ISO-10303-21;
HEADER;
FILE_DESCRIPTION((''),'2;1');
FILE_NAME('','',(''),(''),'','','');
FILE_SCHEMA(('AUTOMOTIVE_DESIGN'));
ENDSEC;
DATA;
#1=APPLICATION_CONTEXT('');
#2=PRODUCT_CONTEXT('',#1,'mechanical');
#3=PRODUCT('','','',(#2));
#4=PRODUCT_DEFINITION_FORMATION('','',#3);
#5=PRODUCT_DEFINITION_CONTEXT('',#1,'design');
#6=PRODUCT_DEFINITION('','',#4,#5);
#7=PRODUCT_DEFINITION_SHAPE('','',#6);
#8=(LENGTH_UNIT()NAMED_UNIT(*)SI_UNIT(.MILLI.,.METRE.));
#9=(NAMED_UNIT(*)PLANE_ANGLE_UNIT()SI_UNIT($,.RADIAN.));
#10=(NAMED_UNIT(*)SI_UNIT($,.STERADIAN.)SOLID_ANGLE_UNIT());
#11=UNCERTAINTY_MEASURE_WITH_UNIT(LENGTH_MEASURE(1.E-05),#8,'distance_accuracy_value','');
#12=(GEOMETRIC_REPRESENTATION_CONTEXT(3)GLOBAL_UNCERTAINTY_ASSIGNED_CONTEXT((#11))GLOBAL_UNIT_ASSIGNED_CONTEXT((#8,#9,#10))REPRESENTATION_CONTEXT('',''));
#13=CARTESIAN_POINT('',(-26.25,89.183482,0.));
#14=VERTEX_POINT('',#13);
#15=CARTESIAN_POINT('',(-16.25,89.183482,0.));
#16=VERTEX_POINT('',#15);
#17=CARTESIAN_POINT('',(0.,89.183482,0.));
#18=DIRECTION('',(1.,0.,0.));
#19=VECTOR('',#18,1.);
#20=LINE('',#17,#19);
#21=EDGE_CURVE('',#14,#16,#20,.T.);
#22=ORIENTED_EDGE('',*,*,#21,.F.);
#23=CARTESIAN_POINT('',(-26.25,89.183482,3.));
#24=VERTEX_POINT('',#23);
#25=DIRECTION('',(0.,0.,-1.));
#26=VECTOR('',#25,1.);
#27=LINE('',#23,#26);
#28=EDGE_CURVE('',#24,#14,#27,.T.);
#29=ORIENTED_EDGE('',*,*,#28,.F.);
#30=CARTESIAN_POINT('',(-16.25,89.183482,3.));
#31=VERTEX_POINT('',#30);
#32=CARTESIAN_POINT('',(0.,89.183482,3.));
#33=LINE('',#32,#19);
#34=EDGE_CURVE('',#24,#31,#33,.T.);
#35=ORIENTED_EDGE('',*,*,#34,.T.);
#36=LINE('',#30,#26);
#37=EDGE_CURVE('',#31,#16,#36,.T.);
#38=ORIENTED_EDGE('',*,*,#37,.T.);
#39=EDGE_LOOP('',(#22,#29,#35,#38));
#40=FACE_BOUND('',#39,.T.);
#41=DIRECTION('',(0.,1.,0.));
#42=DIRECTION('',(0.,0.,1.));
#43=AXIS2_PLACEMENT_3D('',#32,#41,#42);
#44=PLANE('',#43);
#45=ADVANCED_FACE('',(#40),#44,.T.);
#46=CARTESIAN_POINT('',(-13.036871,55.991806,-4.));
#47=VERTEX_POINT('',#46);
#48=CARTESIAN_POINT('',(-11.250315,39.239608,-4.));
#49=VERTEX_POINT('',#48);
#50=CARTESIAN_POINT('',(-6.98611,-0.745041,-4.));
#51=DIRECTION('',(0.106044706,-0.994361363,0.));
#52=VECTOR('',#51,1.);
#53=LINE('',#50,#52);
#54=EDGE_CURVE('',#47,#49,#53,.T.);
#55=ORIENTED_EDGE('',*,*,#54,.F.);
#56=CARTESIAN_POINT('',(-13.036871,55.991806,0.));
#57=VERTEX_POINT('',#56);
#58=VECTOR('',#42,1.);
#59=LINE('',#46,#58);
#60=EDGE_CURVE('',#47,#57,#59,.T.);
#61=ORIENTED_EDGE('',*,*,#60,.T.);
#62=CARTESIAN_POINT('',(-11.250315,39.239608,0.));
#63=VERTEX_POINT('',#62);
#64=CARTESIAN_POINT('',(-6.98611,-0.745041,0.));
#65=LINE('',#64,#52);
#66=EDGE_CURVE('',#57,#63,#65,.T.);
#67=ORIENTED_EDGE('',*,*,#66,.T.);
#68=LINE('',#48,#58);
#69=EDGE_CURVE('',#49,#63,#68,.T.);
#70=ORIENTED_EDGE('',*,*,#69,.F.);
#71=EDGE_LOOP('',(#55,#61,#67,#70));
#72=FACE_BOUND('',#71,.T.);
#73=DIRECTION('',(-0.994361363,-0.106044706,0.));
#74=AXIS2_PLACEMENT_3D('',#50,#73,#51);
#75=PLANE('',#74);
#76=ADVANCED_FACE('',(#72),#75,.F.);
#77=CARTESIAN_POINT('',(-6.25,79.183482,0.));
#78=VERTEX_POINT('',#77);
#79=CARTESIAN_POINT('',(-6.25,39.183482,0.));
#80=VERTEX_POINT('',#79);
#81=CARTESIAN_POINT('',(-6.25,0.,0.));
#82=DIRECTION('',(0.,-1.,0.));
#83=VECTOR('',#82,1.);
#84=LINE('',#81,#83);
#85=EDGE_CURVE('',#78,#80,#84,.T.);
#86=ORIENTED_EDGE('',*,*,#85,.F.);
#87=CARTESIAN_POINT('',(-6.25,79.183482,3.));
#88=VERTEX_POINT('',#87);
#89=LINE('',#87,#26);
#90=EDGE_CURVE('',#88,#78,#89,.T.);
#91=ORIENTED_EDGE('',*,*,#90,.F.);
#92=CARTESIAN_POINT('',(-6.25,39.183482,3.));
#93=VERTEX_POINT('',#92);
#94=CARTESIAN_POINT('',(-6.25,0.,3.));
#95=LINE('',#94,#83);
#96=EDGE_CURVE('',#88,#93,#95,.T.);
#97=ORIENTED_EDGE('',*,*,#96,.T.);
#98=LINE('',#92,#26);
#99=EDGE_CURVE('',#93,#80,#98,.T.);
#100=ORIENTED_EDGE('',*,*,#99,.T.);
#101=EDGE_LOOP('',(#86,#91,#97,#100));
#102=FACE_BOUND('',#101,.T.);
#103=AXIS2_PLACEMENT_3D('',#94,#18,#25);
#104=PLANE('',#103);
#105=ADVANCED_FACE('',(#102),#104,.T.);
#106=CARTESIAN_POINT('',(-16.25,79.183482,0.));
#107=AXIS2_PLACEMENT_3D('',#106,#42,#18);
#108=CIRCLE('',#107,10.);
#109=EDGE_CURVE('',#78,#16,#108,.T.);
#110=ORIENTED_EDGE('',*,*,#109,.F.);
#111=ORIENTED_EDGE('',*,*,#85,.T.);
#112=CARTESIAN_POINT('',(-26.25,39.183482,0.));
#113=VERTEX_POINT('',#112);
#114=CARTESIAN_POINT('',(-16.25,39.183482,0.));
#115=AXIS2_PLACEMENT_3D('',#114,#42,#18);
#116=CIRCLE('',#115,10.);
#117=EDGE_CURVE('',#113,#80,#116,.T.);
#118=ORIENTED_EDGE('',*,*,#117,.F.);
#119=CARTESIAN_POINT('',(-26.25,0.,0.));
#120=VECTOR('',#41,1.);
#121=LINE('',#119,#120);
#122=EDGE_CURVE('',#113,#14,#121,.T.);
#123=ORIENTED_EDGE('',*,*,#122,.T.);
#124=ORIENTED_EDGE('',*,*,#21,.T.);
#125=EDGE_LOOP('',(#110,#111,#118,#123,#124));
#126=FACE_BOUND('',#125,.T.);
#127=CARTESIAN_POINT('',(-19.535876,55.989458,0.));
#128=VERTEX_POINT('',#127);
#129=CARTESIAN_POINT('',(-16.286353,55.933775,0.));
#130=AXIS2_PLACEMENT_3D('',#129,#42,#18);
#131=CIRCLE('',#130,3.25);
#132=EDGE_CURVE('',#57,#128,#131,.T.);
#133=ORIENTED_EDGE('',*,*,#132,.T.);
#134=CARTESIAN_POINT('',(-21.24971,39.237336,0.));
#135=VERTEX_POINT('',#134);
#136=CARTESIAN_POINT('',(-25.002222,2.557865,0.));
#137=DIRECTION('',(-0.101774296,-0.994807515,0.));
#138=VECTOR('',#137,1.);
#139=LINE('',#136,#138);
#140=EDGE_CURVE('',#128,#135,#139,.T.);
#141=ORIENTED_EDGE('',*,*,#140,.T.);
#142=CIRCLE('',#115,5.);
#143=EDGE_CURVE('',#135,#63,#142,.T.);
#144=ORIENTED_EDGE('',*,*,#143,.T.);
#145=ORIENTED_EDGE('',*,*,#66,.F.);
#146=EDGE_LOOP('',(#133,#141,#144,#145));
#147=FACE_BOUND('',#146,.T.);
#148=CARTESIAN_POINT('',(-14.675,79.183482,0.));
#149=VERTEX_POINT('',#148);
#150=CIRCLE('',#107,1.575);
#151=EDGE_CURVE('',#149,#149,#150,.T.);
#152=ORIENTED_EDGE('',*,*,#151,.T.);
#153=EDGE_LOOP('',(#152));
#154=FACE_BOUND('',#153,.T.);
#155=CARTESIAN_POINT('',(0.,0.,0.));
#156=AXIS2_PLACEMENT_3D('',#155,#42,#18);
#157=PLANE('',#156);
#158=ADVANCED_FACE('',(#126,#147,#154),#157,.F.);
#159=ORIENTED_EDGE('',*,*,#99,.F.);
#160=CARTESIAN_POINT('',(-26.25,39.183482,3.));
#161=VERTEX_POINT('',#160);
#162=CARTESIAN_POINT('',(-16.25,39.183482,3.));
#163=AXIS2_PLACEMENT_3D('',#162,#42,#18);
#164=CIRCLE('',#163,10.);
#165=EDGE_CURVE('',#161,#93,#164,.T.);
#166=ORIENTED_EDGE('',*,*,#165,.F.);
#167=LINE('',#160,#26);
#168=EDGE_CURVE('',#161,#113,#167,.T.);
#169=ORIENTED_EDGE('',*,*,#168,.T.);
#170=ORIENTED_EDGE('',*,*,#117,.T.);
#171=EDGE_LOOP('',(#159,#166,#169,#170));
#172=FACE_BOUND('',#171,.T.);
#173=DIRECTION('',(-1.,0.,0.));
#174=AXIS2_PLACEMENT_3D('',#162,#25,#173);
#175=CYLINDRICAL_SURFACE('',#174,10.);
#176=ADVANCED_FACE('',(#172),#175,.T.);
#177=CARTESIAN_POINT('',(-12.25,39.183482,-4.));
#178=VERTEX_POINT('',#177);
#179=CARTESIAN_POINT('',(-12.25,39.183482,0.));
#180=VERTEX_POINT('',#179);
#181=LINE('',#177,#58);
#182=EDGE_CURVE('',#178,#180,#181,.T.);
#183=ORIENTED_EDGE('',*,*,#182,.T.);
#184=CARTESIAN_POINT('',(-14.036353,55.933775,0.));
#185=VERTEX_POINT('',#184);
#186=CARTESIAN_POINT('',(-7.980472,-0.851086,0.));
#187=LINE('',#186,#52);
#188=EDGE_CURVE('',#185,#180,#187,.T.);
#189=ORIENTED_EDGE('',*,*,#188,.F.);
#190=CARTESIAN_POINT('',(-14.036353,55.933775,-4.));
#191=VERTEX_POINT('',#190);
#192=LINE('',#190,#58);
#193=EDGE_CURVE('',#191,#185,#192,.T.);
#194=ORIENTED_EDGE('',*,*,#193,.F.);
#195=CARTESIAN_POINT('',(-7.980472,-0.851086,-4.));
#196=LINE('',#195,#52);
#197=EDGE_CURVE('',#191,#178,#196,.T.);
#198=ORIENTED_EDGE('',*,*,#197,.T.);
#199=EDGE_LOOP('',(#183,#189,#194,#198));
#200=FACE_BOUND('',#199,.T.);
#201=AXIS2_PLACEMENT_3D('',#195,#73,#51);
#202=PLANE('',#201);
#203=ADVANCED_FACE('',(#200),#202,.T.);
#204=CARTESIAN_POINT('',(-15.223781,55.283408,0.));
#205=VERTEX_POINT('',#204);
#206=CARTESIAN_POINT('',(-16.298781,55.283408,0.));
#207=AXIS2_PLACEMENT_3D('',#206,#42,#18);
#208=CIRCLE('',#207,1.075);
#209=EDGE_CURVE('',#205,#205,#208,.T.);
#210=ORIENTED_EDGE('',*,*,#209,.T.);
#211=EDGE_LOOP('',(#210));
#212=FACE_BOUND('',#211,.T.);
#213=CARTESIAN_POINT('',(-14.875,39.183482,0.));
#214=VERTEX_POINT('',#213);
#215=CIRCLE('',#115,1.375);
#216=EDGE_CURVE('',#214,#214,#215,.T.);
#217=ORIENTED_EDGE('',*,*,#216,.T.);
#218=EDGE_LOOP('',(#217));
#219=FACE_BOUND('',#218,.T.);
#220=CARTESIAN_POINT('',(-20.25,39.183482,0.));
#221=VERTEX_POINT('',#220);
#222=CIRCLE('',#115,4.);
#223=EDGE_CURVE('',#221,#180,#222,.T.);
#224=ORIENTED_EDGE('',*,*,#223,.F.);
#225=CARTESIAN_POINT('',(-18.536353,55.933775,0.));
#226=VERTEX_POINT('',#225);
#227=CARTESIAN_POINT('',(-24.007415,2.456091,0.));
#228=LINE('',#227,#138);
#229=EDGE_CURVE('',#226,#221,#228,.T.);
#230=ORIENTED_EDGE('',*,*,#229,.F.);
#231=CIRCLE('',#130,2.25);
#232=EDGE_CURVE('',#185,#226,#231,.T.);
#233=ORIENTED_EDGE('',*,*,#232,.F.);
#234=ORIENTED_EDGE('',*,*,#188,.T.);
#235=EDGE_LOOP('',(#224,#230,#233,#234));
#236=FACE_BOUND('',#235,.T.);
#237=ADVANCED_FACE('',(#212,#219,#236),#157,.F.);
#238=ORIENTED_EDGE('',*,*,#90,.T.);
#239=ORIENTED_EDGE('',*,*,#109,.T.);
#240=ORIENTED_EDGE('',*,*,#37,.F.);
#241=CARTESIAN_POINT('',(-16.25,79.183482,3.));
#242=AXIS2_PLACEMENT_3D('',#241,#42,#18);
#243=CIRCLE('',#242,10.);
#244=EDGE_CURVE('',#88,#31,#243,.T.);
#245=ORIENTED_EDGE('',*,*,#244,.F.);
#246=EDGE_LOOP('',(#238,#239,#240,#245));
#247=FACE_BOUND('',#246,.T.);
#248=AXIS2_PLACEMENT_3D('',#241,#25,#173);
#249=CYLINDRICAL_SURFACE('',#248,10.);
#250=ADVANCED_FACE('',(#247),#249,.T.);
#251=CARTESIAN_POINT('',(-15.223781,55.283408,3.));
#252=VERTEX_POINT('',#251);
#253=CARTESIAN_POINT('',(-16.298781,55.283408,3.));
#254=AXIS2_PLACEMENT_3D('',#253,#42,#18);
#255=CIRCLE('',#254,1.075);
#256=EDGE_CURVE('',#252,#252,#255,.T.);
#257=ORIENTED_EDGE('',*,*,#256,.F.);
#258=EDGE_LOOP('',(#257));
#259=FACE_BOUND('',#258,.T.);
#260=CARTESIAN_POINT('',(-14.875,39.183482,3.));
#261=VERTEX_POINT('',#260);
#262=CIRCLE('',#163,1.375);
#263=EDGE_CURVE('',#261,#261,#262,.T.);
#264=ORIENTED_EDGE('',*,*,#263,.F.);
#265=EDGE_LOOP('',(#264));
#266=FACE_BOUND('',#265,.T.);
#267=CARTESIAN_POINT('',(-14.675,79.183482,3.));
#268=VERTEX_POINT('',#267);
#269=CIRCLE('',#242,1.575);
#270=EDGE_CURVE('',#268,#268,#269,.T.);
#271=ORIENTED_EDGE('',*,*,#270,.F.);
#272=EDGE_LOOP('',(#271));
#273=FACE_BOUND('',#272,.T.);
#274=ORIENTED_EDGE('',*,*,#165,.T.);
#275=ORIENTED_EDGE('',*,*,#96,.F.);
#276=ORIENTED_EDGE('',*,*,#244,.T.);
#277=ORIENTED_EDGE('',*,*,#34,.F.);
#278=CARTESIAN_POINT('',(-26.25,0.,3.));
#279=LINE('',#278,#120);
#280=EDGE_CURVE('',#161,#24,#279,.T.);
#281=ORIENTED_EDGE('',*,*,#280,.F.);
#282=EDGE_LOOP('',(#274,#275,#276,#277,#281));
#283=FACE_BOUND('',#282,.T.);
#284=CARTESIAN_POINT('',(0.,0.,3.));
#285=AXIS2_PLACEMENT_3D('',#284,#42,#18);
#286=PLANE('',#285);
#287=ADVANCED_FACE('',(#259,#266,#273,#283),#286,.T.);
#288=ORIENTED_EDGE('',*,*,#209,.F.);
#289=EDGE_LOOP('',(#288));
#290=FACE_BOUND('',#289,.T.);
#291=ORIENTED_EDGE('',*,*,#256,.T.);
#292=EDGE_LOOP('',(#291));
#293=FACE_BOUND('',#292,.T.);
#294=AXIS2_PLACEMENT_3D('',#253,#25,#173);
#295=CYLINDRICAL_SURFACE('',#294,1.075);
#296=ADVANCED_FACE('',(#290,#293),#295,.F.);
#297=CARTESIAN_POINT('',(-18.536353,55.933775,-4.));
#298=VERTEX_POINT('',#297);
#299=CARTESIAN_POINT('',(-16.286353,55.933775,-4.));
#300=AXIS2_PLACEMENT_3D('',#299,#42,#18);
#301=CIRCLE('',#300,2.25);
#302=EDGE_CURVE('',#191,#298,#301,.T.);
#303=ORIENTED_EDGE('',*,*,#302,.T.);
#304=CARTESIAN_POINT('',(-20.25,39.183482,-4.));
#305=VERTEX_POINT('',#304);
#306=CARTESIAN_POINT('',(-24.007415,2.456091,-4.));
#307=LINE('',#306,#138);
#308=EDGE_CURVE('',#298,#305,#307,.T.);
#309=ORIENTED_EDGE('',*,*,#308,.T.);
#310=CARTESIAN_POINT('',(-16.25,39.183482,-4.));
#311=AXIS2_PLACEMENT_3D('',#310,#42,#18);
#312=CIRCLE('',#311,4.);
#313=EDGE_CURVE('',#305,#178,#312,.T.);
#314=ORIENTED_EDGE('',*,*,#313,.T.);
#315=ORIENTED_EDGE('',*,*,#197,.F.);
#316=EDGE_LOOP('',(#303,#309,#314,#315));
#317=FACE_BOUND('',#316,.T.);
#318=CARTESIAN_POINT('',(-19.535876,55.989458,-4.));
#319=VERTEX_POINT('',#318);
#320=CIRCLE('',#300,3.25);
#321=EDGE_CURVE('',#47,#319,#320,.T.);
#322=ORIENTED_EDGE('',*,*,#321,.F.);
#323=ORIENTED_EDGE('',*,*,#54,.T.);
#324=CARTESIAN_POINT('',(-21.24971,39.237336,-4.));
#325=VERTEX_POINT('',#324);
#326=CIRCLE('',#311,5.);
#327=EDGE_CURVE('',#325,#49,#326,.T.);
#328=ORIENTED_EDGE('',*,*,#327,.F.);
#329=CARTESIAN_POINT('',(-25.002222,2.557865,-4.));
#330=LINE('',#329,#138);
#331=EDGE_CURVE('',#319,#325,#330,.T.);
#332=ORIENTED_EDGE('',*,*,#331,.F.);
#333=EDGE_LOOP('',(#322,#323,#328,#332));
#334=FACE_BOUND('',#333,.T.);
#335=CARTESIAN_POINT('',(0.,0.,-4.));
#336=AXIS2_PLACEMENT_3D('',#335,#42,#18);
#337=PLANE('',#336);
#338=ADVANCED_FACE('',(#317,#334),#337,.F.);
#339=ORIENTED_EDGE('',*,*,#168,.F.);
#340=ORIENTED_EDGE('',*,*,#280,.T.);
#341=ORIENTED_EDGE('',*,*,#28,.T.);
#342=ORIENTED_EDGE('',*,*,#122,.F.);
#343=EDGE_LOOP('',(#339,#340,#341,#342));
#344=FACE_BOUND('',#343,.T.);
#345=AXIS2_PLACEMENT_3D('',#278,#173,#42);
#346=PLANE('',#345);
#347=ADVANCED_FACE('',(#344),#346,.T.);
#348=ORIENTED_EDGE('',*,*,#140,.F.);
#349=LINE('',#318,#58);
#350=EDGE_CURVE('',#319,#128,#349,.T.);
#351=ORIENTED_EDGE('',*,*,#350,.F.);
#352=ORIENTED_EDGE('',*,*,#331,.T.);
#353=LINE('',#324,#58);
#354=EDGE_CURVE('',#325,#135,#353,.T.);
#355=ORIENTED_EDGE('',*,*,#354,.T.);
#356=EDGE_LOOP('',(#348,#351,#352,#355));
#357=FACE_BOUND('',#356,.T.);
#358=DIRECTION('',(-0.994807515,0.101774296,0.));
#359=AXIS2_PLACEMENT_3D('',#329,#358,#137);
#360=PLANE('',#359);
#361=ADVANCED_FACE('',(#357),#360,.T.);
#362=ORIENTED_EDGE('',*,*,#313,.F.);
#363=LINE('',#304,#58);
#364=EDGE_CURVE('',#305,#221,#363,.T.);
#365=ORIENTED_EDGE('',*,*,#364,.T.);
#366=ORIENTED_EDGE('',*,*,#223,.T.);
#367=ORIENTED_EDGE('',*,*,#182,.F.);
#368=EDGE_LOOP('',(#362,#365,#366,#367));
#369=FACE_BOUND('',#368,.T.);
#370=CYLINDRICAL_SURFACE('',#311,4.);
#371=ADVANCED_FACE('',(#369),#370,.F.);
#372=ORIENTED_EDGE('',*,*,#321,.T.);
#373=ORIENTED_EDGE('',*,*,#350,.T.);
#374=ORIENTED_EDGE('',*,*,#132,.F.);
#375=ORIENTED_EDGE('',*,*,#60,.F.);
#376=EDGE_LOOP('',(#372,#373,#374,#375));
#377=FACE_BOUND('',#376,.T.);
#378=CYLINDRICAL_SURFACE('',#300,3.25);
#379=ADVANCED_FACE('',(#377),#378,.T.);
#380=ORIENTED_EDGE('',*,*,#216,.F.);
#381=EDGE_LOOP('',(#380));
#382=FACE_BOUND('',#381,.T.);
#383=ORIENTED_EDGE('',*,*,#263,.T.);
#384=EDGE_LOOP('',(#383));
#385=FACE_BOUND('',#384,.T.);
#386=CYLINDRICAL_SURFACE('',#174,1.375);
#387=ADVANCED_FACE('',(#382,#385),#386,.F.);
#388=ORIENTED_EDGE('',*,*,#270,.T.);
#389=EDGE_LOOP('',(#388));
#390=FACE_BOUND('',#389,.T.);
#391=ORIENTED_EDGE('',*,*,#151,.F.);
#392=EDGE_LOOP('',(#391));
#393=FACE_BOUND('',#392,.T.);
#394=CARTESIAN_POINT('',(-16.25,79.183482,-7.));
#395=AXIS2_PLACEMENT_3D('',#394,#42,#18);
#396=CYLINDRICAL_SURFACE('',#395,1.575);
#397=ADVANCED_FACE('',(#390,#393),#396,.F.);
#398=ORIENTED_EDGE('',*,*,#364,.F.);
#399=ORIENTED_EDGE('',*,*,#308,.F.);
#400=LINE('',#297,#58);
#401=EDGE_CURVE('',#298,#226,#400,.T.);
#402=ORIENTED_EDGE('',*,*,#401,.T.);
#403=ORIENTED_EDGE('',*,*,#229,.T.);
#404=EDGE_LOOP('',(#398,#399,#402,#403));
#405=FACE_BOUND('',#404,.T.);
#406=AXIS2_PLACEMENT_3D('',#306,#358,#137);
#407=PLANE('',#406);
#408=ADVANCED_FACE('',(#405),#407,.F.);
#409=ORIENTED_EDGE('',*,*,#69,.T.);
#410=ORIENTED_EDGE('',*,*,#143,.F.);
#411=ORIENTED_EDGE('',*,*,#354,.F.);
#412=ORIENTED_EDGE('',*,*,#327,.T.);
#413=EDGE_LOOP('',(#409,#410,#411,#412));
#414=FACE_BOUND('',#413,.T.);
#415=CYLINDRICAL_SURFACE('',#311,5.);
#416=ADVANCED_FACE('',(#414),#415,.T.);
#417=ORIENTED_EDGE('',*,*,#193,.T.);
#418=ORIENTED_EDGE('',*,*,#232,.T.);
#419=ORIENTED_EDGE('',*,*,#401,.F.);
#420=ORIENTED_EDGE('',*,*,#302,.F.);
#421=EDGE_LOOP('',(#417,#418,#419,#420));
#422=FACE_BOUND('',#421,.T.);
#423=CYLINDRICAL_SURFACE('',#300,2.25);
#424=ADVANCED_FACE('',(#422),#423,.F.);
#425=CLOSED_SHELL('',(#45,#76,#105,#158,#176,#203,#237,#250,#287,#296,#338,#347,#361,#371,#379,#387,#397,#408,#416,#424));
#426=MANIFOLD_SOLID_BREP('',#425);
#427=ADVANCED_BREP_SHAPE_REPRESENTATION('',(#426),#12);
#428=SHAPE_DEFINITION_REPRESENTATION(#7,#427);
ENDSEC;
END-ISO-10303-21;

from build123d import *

# Parameters (mm, degrees)
SKETCH1_R           = 1.075
SKETCH1_R_2         = 1.375
BOSS_EXTRUDE1_DEPTH = 3
BOSS_EXTRUDE2_DEPTH = 4
SKETCH3_R           = 1.575
CUT_EXTRUDE1_DEPTH  = 10


with BuildPart() as part:
    # Sketch1 → Boss-Extrude1 (new body)
    with BuildSketch(Plane.XY):
        with BuildLine():
            Line((-26.25, 89.183481687), (-26.25, 39.183481687))
            ThreePointArc((-26.25, 39.183481687), (-16.25, 29.183481687), (-6.25, 39.183481687))
            Line((-6.25, 39.183481687), (-6.25, 79.183481687))
            ThreePointArc((-6.25, 79.183481687), (-9.178932188, 86.254549499), (-16.25, 89.183481687))
            Line((-16.25, 89.183481687), (-26.25, 89.183481687))
        make_face()
        with Locations((-16.298780591, 55.283407788)):
            Circle(SKETCH1_R, mode=Mode.SUBTRACT)
        with Locations((-16.25, 39.183481687)):
            Circle(SKETCH1_R_2, mode=Mode.SUBTRACT)
    extrude(amount=BOSS_EXTRUDE1_DEPTH)

    # Sketch1<4> → Boss-Extrude2 (add)
    with BuildSketch(Plane.XY):
        with BuildLine():
            ThreePointArc((-13.036870696, 55.991806015), (-16.287526809, 59.183775163), (-19.535875527, 55.989457894))
            Line((-19.535875527, 55.989457894), (-21.249709959, 39.23733634))
            ThreePointArc((-21.249709959, 39.23733634), (-16.248864162, 34.183481816), (-11.250315025, 39.239607879))
            Line((-11.250315025, 39.239607879), (-13.036870696, 55.991806015))
        make_face()
        with BuildLine():
            Line((-20.25, 39.183481687), (-18.536352569, 55.933775375))
            ThreePointArc((-18.536352569, 55.933775375), (-16.286352569, 58.183775375), (-14.036352569, 55.933775375))
            Line((-14.036352569, 55.933775375), (-12.25, 39.183481687))
            ThreePointArc((-12.25, 39.183481687), (-16.25, 35.183481687), (-20.25, 39.183481687))
        make_face(mode=Mode.SUBTRACT)
    extrude(amount=-BOSS_EXTRUDE2_DEPTH)

    # Sketch3 → Cut-Extrude1 (cut)
    with BuildSketch(Plane.XY.offset(3)):
        with Locations((-16.25, 79.183481687)):
            Circle(SKETCH3_R)
    extrude(amount=-CUT_EXTRUDE1_DEPTH, mode=Mode.SUBTRACT)


solid = part.part
